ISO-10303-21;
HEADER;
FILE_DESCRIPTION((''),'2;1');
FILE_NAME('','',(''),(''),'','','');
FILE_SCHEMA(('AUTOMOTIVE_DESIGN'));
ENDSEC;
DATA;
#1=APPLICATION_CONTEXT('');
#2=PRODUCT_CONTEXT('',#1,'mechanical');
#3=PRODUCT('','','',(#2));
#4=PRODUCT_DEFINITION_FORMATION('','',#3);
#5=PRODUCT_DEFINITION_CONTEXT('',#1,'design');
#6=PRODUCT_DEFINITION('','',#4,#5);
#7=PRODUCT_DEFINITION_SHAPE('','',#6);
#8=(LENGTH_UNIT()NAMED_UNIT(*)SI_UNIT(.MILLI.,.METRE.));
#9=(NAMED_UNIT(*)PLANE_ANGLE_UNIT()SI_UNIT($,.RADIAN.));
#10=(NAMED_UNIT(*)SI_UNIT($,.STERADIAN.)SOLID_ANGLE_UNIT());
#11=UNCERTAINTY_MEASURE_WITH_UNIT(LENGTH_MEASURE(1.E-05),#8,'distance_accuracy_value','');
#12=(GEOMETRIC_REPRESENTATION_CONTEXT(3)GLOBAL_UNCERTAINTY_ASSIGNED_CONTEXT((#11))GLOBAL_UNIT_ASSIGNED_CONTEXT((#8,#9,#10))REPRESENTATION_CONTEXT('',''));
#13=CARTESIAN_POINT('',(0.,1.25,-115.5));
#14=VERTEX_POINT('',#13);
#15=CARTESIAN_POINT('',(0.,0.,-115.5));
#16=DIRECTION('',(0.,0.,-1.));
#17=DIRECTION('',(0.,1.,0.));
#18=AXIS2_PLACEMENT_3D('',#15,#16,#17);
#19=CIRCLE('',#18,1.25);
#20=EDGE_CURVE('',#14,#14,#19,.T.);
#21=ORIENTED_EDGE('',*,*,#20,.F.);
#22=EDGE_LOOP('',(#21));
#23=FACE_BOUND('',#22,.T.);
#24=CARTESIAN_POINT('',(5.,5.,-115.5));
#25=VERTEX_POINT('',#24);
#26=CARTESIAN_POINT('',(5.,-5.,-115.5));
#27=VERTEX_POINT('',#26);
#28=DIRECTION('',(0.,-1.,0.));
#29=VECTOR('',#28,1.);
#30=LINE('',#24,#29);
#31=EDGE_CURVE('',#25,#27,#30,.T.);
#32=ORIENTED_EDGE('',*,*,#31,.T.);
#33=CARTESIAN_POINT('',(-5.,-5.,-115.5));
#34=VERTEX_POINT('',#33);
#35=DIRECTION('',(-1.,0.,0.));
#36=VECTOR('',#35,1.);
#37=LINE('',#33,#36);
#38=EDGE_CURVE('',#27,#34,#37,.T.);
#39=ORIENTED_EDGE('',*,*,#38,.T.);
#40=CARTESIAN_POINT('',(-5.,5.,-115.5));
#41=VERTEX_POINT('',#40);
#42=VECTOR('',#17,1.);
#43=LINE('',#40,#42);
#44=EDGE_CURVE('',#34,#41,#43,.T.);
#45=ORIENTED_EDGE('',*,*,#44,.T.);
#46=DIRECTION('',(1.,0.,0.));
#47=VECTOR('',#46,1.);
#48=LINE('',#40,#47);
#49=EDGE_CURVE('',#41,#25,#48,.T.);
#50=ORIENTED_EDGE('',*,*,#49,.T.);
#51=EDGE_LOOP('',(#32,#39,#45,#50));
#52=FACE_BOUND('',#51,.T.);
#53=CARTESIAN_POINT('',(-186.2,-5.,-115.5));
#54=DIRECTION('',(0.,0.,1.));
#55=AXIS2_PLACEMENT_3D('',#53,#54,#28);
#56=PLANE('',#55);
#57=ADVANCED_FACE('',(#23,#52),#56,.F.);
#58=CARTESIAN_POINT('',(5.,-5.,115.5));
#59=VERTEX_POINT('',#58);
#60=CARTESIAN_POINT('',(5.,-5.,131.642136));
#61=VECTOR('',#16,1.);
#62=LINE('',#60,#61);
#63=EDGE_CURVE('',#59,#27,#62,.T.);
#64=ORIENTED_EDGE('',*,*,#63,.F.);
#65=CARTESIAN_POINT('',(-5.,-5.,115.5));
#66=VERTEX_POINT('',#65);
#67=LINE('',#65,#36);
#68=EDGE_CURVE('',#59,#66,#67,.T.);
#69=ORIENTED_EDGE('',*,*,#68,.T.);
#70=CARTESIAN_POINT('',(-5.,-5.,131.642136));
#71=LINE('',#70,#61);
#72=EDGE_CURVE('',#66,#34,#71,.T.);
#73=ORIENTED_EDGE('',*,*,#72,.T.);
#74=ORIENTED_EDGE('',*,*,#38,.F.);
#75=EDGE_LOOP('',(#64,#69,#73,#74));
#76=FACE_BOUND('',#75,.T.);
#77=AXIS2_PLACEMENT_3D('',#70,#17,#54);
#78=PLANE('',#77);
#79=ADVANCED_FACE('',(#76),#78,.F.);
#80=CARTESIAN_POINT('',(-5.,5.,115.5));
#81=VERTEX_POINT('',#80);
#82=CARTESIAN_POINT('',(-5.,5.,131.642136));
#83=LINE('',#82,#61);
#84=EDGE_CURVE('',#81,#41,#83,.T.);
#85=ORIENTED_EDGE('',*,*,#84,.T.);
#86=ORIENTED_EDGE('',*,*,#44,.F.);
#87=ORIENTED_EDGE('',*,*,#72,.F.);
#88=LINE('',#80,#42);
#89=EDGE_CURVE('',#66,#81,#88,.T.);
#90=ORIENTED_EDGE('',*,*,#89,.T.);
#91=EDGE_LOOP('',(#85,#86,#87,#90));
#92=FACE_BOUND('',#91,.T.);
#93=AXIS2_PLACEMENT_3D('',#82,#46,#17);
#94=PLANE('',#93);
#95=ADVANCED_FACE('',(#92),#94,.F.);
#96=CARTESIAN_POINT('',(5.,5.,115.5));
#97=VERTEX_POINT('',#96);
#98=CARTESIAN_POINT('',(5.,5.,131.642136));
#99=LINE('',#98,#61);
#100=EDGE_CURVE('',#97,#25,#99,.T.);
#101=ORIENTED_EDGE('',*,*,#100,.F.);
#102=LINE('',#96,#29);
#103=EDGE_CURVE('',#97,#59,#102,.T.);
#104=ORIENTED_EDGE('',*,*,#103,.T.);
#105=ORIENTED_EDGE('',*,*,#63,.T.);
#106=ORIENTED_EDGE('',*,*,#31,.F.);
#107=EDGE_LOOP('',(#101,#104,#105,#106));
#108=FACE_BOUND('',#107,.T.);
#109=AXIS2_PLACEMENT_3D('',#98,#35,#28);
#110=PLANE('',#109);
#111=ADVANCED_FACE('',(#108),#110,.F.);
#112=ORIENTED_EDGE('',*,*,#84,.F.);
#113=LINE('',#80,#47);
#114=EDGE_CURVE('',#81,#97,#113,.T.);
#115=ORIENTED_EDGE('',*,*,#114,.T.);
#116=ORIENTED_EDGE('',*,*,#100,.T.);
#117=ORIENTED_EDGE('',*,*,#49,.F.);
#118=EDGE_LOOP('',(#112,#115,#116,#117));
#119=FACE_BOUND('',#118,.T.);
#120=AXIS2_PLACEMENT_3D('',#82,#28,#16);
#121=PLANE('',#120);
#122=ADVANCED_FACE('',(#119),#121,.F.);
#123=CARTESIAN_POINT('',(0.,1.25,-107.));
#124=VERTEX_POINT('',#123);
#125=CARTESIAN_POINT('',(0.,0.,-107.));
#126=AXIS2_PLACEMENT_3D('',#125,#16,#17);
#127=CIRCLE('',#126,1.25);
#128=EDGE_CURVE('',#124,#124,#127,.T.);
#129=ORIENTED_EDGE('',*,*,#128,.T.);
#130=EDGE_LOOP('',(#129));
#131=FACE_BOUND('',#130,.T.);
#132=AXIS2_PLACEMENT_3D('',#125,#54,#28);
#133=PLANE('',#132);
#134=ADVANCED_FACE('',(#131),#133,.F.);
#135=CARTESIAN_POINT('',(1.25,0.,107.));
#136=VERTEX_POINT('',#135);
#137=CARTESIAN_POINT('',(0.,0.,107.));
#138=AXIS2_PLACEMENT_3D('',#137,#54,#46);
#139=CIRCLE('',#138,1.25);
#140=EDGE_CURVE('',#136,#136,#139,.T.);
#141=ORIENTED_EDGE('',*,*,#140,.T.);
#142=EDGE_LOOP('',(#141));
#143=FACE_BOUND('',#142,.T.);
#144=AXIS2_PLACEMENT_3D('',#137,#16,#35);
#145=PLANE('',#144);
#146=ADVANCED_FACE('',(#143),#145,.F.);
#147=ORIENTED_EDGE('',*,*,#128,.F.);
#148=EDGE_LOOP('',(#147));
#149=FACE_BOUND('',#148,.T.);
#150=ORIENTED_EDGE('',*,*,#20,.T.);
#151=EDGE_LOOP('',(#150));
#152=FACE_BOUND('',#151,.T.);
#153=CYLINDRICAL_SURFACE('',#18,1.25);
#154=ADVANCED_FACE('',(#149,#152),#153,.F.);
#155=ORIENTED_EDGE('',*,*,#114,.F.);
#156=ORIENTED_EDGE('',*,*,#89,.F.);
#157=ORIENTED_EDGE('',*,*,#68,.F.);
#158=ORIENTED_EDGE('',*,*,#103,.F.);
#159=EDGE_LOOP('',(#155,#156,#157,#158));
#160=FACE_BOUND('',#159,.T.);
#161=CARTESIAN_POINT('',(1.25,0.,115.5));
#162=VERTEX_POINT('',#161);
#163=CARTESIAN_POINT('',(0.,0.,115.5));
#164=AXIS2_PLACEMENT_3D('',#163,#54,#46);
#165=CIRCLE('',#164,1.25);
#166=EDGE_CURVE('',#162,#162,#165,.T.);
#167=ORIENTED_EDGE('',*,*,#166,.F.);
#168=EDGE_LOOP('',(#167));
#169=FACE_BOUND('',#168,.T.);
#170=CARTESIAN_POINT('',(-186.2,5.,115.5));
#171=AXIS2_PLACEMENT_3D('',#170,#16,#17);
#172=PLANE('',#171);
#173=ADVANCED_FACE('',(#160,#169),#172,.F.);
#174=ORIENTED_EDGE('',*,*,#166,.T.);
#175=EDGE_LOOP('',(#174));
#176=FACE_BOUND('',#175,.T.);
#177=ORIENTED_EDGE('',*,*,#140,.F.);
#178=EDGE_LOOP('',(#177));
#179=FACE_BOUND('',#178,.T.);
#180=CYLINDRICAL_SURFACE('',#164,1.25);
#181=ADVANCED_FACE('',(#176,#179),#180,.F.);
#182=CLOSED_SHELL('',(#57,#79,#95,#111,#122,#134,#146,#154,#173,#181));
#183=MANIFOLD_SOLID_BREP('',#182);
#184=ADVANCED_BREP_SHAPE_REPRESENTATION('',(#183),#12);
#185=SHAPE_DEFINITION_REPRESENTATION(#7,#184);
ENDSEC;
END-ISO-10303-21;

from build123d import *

# Parameters (mm, degrees)
BOSS_EXTRU_1_DEPTH        = 115.5
BOSS_EXTRU_1_DEPTH_BACK   = 115.5
ESQUISSE1_W               = 10
ESQUISSE1_H               = 10
TROU_TARAUD_M3X0_51_D     = 2.5
TROU_TARAUD_M3X0_51_DEPTH = 8.5
TROU_TARAUD_M3X0_52_D     = 2.5
TROU_TARAUD_M3X0_52_DEPTH = 8.5


with BuildPart() as part:
    # Esquisse1 → Boss.-Extru.1 (new, two sides: drawn at the far end of the back side and taken through both)
    with BuildSketch(Plane.XY.offset(-BOSS_EXTRU_1_DEPTH_BACK)):
        Rectangle(ESQUISSE1_W, ESQUISSE1_H)
    extrude(amount=BOSS_EXTRU_1_DEPTH + BOSS_EXTRU_1_DEPTH_BACK)

    # Trou taraudé M3x0.51
    with Locations(Plane.XY.offset(115.5)):
        with Locations((0, 0)):
            Hole(TROU_TARAUD_M3X0_51_D / 2, depth=TROU_TARAUD_M3X0_51_DEPTH)

    # Trou taraudé M3x0.52
    with Locations(Plane(origin=(0, 0, -115.5), x_dir=(-1, 0, 0), z_dir=(0, 0, -1))):
        with Locations((0, 0)):
            Hole(TROU_TARAUD_M3X0_52_D / 2, depth=TROU_TARAUD_M3X0_52_DEPTH)


solid = part.part
